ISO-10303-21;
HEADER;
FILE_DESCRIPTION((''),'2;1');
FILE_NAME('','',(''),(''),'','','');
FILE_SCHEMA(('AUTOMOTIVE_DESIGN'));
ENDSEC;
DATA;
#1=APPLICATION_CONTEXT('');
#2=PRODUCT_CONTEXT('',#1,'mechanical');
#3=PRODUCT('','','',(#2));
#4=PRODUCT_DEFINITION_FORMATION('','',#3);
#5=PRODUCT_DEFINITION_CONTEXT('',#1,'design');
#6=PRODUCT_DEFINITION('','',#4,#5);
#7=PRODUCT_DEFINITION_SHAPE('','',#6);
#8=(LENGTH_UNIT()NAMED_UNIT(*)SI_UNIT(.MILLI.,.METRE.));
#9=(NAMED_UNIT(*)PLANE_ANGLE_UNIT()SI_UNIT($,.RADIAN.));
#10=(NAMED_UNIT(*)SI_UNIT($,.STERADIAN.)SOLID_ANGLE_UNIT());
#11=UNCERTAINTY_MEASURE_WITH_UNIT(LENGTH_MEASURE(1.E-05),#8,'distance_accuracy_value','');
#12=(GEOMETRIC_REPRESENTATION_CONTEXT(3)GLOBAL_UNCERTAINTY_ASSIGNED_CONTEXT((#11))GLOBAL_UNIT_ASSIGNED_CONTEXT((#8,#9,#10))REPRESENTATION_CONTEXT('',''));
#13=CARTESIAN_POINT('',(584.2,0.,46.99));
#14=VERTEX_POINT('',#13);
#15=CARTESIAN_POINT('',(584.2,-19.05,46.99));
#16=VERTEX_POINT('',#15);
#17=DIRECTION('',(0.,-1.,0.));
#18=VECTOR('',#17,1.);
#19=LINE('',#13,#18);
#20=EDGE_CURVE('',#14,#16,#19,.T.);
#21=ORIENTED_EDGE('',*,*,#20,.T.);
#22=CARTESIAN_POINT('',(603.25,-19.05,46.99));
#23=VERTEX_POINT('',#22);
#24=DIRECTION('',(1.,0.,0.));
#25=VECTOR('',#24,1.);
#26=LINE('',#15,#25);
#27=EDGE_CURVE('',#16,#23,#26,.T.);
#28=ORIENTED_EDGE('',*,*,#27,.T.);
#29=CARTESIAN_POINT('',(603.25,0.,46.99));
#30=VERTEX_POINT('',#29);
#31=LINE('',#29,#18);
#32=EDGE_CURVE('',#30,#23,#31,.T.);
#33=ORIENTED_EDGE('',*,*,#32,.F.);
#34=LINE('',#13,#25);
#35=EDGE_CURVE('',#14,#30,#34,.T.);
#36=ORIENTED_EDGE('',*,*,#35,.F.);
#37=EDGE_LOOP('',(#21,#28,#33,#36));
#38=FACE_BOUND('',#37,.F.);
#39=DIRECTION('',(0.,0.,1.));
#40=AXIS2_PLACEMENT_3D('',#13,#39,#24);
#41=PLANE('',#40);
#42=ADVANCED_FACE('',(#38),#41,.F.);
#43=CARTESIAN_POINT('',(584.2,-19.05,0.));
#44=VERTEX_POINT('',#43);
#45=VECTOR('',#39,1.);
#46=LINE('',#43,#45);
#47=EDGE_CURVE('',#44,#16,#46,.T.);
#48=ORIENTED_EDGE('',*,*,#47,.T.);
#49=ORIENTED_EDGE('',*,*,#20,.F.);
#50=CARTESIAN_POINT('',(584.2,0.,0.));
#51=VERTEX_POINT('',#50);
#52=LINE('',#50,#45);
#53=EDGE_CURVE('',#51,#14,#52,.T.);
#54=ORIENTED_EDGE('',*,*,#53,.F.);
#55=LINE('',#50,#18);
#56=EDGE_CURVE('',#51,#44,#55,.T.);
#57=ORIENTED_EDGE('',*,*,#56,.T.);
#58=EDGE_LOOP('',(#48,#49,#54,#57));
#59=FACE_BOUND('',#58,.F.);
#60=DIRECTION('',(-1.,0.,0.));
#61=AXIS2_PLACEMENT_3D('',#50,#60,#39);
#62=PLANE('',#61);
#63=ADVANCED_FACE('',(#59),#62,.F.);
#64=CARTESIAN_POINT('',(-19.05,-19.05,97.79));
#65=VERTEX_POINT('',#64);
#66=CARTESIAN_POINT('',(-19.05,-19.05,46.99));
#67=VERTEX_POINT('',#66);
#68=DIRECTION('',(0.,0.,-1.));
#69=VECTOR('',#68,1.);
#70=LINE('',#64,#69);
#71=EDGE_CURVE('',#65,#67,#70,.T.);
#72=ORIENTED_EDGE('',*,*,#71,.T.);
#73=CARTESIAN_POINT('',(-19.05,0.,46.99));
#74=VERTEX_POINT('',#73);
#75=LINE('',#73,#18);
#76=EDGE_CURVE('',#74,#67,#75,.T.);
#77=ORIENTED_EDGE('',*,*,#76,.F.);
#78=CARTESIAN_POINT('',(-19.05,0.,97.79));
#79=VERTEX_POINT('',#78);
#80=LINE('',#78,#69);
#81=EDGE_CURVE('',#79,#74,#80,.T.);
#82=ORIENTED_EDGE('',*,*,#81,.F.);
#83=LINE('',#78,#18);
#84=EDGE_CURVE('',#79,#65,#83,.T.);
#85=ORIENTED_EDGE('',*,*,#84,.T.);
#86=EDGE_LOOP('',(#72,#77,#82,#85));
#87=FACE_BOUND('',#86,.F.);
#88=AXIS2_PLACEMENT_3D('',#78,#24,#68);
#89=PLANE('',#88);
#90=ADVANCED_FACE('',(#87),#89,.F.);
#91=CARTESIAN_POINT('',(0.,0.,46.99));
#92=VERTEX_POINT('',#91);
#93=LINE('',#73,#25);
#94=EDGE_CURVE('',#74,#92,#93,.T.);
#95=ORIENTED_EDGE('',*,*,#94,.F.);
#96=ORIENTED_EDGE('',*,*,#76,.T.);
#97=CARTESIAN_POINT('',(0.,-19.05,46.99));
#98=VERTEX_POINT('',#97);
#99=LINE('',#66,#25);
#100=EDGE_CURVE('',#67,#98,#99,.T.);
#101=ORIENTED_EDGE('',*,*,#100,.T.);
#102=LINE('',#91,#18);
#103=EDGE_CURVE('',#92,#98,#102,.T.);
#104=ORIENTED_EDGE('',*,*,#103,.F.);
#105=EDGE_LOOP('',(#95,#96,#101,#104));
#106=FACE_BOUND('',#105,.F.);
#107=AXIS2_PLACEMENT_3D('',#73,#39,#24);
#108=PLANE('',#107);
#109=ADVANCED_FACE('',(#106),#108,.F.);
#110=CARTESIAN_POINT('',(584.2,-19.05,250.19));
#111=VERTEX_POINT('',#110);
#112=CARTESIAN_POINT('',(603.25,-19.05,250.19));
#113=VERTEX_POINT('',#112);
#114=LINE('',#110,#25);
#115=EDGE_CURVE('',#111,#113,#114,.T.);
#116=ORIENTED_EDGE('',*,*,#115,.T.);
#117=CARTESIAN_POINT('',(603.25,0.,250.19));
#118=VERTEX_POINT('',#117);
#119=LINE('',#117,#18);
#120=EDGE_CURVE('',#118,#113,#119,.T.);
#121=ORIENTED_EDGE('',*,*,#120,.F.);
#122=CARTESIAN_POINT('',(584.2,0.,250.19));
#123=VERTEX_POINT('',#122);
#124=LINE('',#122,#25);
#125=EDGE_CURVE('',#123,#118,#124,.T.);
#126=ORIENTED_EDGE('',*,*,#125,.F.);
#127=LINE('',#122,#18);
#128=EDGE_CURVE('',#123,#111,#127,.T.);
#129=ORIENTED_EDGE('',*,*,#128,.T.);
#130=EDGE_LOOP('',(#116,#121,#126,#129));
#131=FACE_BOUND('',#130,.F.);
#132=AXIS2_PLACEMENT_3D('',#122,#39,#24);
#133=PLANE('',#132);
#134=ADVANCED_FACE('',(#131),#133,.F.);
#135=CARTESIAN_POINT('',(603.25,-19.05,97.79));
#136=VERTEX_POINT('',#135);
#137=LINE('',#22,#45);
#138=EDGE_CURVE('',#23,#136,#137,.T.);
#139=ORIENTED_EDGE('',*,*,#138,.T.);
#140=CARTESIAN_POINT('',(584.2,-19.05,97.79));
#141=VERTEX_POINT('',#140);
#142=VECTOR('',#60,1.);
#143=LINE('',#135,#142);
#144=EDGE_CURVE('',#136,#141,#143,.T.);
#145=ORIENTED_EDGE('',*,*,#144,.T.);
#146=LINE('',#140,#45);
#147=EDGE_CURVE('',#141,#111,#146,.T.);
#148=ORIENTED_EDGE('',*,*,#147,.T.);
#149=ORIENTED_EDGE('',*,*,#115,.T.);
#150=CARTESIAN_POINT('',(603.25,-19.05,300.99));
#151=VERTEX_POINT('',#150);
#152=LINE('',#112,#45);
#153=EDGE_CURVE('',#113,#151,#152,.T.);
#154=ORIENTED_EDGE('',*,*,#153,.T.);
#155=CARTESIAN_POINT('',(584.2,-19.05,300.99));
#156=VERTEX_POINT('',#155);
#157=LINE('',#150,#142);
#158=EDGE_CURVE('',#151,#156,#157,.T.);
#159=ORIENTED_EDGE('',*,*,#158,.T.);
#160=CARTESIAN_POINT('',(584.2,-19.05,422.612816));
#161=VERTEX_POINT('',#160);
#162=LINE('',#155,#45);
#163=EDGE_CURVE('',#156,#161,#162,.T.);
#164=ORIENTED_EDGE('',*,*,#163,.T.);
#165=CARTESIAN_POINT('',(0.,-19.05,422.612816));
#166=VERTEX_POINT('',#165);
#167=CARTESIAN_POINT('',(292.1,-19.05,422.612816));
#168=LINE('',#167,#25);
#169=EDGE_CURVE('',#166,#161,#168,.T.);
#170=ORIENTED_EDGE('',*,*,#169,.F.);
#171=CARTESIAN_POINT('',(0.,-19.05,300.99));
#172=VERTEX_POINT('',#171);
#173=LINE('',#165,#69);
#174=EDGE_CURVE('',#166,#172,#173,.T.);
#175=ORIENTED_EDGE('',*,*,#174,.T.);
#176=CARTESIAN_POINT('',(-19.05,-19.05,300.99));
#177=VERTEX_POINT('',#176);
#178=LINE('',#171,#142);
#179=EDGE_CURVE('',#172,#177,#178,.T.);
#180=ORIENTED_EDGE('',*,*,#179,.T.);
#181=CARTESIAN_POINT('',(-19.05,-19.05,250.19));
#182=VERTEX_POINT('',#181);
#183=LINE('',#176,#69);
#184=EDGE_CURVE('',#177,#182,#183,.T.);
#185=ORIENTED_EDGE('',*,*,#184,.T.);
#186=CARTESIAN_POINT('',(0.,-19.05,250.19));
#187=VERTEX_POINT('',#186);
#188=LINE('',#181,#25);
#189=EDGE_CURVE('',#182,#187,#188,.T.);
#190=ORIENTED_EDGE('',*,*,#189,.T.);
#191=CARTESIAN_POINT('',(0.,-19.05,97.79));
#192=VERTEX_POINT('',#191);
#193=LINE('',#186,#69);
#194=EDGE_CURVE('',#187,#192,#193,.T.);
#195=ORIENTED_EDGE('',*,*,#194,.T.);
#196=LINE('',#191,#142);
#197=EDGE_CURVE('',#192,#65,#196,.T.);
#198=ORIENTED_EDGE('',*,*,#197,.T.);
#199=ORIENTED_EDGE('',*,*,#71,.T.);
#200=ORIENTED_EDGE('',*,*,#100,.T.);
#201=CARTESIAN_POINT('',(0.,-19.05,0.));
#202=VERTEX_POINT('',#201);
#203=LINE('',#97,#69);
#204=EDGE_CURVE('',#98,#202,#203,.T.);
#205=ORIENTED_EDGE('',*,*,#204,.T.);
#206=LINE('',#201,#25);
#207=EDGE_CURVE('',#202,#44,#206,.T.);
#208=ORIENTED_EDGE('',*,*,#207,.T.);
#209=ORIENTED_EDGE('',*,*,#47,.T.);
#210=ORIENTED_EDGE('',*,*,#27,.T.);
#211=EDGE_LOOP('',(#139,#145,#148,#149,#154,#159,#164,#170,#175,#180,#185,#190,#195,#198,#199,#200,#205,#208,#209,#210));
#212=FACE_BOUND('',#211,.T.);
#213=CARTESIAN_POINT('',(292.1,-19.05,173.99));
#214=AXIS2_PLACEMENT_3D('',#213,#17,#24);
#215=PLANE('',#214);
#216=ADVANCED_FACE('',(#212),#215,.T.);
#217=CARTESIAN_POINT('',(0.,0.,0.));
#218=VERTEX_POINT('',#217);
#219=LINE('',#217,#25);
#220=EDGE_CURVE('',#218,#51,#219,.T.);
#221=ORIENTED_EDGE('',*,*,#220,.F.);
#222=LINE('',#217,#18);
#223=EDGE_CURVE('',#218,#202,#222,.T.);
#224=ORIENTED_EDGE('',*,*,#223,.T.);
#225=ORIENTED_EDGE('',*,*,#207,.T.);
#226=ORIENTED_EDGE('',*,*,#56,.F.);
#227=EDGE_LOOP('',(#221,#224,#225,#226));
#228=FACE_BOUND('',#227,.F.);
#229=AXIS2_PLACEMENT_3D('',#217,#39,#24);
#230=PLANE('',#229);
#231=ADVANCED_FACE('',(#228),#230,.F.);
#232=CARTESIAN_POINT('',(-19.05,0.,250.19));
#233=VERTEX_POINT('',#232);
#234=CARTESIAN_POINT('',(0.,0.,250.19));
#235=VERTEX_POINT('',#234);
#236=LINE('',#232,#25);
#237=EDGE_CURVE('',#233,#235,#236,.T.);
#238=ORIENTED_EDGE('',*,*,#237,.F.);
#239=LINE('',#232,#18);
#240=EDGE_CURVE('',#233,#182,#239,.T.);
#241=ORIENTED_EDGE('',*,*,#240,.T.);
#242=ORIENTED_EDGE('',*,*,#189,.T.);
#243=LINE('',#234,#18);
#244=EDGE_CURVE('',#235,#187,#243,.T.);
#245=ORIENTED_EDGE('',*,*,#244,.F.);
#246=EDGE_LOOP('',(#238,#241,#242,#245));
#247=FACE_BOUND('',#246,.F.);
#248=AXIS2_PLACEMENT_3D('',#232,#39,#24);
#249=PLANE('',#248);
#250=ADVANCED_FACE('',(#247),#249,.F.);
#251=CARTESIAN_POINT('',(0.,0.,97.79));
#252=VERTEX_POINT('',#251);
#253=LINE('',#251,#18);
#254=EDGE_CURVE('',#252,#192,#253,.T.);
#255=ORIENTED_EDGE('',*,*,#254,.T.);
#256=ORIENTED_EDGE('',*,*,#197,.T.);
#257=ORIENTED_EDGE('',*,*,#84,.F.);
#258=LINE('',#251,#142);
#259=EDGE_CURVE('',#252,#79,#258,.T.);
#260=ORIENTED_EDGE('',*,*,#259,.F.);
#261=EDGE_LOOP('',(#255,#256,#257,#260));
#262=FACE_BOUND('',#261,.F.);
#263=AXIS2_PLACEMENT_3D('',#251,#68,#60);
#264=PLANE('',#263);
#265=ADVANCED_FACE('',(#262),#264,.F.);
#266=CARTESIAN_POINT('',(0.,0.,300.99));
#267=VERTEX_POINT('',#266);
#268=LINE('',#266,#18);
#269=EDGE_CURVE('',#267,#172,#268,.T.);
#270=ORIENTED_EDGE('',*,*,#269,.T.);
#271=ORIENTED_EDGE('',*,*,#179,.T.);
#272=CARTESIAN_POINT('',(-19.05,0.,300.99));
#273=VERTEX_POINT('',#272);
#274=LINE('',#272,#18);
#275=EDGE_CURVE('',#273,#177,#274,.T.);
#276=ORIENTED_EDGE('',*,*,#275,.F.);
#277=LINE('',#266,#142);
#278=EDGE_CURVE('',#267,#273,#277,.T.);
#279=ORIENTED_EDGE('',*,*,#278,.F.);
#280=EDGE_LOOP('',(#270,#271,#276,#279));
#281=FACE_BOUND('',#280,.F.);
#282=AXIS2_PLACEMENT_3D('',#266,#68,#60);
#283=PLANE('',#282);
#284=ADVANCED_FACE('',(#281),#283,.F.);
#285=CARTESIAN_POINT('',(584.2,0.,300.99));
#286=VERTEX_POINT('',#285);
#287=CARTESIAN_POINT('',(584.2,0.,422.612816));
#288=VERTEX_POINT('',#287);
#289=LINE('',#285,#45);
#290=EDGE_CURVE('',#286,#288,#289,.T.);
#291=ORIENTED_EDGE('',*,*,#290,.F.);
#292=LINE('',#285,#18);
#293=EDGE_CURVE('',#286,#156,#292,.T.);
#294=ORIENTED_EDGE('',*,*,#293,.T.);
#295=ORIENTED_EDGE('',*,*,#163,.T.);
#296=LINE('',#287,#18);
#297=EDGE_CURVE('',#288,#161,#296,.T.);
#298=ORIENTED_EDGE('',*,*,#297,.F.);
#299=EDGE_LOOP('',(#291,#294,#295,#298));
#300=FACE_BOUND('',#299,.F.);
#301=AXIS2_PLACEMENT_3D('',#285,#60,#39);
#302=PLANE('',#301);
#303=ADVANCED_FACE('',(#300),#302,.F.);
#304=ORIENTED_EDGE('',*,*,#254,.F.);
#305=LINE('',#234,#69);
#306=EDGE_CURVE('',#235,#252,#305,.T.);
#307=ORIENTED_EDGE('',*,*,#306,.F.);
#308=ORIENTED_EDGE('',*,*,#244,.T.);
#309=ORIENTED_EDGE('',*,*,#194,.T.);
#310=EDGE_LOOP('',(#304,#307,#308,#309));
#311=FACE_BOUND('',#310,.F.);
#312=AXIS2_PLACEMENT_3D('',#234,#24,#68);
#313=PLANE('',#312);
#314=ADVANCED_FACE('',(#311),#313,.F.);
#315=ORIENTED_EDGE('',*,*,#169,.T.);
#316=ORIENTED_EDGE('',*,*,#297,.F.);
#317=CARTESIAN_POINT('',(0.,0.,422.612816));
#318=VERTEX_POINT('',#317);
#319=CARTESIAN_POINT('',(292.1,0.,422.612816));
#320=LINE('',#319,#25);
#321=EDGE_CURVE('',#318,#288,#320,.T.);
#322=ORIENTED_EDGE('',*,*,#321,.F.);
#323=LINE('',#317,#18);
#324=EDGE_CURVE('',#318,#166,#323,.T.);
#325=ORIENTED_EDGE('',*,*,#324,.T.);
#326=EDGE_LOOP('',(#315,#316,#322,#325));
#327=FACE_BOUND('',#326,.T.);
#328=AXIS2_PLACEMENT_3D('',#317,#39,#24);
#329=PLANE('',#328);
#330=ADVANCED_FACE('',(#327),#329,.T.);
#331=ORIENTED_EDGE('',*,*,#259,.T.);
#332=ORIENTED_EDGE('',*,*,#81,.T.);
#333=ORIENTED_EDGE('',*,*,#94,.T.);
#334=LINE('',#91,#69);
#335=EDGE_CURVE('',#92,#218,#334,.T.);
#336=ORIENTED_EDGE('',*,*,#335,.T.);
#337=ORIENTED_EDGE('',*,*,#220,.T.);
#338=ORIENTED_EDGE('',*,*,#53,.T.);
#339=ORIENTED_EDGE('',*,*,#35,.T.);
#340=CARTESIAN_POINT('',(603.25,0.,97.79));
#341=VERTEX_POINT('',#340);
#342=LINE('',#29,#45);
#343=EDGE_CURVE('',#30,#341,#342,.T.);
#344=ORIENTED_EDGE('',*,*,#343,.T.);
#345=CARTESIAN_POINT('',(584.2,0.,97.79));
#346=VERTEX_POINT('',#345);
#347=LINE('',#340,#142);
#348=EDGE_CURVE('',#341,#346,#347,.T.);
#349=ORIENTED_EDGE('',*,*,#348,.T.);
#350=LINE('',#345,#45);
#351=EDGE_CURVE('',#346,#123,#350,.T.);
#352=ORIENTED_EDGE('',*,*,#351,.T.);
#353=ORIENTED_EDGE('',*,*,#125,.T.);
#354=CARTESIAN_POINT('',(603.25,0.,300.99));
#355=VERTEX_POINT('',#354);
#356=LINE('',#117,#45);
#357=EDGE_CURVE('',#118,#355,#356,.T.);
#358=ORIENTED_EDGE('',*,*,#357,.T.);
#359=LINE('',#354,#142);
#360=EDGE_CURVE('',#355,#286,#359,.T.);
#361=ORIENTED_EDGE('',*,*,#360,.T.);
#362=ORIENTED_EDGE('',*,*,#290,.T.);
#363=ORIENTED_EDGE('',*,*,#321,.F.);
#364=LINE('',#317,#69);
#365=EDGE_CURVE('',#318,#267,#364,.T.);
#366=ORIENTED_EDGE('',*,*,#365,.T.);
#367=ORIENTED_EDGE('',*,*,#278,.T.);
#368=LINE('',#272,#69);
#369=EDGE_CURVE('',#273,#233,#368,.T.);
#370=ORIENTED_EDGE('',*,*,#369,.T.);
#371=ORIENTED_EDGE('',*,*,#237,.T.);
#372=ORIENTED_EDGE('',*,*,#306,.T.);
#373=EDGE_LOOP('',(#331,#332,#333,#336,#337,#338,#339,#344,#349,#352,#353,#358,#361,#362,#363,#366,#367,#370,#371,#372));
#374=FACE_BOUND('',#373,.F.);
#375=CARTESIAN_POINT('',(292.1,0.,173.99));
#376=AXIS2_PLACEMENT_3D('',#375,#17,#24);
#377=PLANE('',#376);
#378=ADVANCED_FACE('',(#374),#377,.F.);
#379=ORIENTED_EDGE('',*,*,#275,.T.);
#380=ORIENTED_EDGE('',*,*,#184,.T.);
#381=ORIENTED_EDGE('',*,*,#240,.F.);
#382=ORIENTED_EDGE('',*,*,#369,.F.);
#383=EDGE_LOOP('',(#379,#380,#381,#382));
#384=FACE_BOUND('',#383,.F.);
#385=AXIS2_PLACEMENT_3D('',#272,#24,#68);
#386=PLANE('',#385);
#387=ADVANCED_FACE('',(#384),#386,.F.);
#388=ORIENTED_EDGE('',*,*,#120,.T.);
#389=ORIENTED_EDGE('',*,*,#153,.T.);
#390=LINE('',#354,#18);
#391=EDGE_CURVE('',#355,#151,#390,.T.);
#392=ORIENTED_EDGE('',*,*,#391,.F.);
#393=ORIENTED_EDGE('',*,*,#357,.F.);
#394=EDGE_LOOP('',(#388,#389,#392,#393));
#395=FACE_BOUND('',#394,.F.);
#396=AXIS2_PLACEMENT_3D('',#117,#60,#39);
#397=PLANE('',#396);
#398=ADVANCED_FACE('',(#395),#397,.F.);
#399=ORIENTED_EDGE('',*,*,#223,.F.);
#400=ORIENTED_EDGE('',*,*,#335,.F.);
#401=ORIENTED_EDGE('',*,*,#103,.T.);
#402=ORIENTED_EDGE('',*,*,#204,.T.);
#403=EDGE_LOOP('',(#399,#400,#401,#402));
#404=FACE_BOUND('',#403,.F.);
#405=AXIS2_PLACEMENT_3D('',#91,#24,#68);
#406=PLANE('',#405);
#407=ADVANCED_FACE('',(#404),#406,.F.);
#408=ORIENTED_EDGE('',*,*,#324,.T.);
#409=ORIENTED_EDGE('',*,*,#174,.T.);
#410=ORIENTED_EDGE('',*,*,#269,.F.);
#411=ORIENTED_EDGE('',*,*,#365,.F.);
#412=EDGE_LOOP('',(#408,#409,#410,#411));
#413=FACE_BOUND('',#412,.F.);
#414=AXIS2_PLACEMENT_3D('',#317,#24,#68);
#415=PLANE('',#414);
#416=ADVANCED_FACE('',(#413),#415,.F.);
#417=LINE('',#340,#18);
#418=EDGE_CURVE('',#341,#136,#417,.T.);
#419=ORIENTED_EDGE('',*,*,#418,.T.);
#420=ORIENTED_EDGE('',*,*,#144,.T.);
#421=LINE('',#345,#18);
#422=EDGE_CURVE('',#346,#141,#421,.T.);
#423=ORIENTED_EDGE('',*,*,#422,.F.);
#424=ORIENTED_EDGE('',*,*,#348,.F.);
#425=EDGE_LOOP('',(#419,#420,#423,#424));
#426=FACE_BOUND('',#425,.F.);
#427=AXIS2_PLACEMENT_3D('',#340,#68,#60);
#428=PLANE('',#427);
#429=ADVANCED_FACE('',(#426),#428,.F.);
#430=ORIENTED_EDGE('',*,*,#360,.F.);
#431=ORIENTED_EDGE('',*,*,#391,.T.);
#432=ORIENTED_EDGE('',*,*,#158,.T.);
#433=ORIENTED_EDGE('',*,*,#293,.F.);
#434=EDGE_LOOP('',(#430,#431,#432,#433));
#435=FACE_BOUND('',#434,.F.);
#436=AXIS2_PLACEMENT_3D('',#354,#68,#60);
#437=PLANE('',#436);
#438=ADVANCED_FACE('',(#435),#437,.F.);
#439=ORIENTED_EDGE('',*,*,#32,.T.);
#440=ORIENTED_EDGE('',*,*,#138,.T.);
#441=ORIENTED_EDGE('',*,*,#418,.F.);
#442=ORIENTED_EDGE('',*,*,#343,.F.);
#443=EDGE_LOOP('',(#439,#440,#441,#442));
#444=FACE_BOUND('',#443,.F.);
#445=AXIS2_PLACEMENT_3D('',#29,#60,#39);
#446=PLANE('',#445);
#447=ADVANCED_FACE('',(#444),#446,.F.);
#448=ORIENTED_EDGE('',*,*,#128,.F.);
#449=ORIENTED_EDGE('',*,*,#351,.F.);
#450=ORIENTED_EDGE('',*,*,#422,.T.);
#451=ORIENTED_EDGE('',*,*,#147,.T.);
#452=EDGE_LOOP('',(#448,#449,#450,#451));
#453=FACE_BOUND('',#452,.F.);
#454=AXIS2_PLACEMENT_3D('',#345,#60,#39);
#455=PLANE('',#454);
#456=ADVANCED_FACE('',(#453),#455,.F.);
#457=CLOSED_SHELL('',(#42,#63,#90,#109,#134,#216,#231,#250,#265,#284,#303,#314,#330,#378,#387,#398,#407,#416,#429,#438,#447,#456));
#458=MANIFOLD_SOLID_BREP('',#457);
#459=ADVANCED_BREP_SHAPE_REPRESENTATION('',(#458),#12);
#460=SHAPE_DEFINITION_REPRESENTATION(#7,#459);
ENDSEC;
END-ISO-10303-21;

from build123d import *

# Parameters (mm, degrees)
F0_W     = 584.2
F0_H     = 74.632816
F1_DEPTH = 19.05


with BuildPart() as f1:
    # F0 (on Front) → F1 (new body)
    with BuildSketch(Plane.XZ):
        Polygon((0, 46.99), (0, 0), (584.2, 0), (584.2, 46.99), (603.25, 46.99), (603.25, 97.79), (584.2, 97.79), (584.2, 250.19), (603.25, 250.19), (603.25, 300.99), (584.2, 300.99), (584.2, 347.98), (0, 347.98), (0, 300.99), (-19.05, 300.99), (-19.05, 250.19), (0, 250.19), (0, 97.79), (-19.05, 97.79), (-19.05, 46.99), align=None)
        with Locations((292.1, 385.296408)):
            Rectangle(F0_W, F0_H)
    extrude(amount=F1_DEPTH)


solid = f1.part
